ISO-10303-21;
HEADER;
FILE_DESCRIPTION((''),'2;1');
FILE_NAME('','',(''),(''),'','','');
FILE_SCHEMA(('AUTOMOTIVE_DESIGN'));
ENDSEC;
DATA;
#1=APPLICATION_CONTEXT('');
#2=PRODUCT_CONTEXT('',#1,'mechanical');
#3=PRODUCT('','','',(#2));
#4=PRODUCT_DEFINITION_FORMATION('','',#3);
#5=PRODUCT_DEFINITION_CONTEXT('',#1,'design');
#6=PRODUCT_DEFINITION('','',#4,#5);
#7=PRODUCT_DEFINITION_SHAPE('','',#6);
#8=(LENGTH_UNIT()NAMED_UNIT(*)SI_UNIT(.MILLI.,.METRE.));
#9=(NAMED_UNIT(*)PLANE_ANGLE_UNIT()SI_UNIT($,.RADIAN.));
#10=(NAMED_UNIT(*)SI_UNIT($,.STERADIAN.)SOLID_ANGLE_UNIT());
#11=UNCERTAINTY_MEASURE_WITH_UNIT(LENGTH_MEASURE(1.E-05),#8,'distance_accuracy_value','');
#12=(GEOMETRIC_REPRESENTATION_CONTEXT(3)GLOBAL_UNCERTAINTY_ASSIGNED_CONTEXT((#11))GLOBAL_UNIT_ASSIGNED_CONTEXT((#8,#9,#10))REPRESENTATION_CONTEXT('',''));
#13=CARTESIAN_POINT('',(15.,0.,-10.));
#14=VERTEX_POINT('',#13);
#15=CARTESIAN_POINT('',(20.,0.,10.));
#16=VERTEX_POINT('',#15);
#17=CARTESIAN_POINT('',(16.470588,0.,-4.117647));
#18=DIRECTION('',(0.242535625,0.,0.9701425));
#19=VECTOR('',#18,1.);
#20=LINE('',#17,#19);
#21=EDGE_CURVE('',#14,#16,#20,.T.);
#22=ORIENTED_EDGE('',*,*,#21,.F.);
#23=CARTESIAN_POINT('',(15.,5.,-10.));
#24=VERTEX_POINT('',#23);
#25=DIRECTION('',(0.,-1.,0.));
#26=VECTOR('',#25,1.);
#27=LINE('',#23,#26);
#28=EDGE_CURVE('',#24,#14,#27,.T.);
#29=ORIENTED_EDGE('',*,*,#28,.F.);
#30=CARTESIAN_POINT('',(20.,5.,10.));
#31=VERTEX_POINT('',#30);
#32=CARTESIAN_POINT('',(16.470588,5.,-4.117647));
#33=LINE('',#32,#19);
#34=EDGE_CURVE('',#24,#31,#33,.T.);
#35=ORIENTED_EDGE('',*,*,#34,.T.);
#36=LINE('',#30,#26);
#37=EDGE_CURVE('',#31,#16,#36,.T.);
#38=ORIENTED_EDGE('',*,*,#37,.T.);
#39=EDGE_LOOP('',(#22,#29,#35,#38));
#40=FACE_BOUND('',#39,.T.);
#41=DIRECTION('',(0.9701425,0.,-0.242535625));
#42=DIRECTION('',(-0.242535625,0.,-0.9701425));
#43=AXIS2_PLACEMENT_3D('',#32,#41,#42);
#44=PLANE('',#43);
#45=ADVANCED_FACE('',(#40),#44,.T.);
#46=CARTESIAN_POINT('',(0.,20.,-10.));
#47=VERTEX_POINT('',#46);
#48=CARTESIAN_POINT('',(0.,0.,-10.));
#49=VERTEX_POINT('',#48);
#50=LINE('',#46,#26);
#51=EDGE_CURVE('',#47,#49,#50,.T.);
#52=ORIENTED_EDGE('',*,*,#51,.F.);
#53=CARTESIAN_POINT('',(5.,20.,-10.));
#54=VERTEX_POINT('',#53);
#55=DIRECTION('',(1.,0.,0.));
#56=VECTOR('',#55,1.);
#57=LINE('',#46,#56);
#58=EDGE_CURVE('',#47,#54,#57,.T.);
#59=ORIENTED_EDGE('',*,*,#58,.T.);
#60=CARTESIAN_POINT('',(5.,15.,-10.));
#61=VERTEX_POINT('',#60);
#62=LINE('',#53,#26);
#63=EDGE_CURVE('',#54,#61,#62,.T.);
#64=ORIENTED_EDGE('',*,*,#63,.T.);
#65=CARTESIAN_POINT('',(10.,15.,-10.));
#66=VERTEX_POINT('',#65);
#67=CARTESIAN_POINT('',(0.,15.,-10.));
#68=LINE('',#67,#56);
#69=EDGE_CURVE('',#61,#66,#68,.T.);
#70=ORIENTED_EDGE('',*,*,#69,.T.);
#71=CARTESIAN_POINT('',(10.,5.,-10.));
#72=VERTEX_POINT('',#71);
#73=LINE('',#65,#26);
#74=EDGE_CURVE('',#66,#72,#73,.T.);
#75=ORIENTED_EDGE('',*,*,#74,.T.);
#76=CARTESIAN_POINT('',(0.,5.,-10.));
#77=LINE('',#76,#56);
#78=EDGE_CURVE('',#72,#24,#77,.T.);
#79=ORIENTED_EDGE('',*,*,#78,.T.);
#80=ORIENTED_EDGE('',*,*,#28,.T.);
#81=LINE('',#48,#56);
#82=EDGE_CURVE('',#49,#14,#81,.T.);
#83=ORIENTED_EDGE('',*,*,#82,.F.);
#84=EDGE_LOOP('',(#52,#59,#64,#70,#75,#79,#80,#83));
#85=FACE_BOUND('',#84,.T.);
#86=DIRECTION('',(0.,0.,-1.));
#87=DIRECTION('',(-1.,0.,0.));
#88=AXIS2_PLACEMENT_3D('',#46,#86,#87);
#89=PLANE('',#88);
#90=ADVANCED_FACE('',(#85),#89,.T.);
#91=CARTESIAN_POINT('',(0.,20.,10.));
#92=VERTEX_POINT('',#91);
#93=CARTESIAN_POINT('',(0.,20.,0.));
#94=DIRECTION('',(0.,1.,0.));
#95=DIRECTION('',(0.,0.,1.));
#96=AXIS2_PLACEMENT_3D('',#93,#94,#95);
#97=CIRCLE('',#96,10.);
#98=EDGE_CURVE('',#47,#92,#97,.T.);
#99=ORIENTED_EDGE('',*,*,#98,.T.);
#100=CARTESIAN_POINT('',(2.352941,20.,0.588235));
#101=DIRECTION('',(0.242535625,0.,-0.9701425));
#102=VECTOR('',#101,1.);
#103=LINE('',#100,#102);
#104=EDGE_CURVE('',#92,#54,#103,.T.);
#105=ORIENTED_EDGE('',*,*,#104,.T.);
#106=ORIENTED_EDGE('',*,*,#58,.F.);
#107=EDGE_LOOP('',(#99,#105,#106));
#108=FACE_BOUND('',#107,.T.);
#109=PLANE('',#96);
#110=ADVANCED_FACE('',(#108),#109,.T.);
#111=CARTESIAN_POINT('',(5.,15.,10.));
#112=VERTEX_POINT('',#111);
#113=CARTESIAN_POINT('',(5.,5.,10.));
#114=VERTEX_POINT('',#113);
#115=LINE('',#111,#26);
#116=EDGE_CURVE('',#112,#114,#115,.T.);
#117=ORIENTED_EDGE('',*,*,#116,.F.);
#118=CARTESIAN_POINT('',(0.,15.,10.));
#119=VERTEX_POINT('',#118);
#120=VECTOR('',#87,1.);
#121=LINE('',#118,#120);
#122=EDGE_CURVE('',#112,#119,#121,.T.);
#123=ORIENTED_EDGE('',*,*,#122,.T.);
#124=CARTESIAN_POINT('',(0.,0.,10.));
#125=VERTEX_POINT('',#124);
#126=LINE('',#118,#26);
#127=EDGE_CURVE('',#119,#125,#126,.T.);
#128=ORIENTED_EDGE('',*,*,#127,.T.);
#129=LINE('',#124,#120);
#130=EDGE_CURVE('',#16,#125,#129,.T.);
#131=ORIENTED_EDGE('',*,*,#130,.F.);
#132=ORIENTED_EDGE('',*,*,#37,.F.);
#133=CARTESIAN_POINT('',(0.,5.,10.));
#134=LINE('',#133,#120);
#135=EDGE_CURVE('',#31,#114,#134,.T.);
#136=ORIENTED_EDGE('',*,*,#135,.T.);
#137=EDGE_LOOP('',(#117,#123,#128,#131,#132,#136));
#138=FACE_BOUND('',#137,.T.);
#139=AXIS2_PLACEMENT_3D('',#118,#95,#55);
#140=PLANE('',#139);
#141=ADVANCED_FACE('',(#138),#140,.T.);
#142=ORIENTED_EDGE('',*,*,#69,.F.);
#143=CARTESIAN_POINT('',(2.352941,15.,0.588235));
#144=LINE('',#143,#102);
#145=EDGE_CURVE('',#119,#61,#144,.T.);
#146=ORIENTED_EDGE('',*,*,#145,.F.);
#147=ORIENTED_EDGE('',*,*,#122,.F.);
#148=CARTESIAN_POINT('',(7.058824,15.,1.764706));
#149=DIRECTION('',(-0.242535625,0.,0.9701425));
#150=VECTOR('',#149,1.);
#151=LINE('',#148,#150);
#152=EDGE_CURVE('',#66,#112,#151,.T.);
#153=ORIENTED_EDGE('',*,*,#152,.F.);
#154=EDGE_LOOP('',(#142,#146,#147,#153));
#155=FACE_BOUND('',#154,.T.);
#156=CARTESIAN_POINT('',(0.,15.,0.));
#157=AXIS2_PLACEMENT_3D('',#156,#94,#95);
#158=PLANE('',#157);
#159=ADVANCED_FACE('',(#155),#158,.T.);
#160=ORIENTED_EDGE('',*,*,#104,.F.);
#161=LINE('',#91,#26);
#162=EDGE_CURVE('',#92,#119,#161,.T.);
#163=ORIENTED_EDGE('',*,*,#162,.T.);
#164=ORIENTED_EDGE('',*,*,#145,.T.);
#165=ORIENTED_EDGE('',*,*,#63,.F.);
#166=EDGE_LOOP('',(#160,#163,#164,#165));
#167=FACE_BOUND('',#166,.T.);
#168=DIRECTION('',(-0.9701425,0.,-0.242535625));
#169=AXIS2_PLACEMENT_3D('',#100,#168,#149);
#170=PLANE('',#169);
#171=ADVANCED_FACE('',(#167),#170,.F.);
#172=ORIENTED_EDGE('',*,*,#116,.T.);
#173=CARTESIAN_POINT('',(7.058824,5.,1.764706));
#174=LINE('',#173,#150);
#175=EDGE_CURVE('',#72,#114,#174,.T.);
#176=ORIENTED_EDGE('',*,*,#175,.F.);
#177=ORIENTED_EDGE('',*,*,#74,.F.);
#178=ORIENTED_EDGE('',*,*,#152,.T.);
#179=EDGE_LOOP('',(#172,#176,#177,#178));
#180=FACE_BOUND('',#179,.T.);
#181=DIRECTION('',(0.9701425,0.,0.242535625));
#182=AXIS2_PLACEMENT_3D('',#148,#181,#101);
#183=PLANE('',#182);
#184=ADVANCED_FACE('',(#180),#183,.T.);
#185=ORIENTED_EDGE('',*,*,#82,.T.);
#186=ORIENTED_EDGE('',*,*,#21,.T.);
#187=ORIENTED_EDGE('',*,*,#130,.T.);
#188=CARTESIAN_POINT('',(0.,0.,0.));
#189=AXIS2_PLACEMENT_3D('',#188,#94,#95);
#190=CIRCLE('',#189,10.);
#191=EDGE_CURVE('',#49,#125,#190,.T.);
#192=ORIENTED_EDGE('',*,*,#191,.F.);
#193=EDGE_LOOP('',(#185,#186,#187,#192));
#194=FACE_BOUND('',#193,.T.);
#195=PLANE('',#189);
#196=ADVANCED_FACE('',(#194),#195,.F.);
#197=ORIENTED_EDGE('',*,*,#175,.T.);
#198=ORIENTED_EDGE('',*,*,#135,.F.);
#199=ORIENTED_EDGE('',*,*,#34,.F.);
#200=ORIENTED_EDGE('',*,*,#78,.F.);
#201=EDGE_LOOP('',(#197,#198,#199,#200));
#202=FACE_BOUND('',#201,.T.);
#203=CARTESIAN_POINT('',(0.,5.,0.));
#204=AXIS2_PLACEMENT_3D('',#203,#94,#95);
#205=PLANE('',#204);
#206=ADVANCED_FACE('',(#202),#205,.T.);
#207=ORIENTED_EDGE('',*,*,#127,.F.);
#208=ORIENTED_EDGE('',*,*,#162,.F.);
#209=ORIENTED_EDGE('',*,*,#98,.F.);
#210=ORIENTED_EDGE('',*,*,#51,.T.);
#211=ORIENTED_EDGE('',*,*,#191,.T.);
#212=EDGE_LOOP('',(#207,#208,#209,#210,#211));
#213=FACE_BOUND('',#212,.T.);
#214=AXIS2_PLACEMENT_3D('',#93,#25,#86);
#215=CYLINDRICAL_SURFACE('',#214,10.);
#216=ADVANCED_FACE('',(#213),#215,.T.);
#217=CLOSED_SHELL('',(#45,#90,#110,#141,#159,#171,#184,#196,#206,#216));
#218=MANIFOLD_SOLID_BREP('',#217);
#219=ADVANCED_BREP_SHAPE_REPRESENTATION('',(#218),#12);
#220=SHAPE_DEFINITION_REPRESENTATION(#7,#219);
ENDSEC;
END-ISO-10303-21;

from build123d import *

# Parameters (mm, degrees)
EXTRUDE_2_DEPTH = 20
EXTRUDE_3_DEPTH = 15
EXTRUDE_4_DEPTH = 5


with BuildPart() as part:
    # 草圖1 → 填料-伸長2 (new body)
    with BuildSketch(Plane(origin=(0, 0, 0), x_dir=(1, 0, 0), z_dir=(0, 1, 0))):
        with BuildLine():
            Line((5, 10), (0, 10))
            ThreePointArc((0, 10), (-10, 0), (0, -10))
            Line((0, -10), (5, 10))
        make_face()
    extrude(amount=EXTRUDE_2_DEPTH)

    # 草圖1<4> → 填料-伸長3 (add)
    with BuildSketch(Plane(origin=(0, 0, 0), x_dir=(1, 0, 0), z_dir=(0, 1, 0))):
        Polygon((5, 10), (0, -10), (5, -10), (10, 10), align=None)
    extrude(amount=EXTRUDE_3_DEPTH)

    # 草圖1<5> → 填料-伸長4 (add)
    with BuildSketch(Plane(origin=(0, 0, 0), x_dir=(1, 0, 0), z_dir=(0, 1, 0))):
        Polygon((10, 10), (5, -10), (20, -10), (15, 10), align=None)
    extrude(amount=EXTRUDE_4_DEPTH)


solid = part.part
